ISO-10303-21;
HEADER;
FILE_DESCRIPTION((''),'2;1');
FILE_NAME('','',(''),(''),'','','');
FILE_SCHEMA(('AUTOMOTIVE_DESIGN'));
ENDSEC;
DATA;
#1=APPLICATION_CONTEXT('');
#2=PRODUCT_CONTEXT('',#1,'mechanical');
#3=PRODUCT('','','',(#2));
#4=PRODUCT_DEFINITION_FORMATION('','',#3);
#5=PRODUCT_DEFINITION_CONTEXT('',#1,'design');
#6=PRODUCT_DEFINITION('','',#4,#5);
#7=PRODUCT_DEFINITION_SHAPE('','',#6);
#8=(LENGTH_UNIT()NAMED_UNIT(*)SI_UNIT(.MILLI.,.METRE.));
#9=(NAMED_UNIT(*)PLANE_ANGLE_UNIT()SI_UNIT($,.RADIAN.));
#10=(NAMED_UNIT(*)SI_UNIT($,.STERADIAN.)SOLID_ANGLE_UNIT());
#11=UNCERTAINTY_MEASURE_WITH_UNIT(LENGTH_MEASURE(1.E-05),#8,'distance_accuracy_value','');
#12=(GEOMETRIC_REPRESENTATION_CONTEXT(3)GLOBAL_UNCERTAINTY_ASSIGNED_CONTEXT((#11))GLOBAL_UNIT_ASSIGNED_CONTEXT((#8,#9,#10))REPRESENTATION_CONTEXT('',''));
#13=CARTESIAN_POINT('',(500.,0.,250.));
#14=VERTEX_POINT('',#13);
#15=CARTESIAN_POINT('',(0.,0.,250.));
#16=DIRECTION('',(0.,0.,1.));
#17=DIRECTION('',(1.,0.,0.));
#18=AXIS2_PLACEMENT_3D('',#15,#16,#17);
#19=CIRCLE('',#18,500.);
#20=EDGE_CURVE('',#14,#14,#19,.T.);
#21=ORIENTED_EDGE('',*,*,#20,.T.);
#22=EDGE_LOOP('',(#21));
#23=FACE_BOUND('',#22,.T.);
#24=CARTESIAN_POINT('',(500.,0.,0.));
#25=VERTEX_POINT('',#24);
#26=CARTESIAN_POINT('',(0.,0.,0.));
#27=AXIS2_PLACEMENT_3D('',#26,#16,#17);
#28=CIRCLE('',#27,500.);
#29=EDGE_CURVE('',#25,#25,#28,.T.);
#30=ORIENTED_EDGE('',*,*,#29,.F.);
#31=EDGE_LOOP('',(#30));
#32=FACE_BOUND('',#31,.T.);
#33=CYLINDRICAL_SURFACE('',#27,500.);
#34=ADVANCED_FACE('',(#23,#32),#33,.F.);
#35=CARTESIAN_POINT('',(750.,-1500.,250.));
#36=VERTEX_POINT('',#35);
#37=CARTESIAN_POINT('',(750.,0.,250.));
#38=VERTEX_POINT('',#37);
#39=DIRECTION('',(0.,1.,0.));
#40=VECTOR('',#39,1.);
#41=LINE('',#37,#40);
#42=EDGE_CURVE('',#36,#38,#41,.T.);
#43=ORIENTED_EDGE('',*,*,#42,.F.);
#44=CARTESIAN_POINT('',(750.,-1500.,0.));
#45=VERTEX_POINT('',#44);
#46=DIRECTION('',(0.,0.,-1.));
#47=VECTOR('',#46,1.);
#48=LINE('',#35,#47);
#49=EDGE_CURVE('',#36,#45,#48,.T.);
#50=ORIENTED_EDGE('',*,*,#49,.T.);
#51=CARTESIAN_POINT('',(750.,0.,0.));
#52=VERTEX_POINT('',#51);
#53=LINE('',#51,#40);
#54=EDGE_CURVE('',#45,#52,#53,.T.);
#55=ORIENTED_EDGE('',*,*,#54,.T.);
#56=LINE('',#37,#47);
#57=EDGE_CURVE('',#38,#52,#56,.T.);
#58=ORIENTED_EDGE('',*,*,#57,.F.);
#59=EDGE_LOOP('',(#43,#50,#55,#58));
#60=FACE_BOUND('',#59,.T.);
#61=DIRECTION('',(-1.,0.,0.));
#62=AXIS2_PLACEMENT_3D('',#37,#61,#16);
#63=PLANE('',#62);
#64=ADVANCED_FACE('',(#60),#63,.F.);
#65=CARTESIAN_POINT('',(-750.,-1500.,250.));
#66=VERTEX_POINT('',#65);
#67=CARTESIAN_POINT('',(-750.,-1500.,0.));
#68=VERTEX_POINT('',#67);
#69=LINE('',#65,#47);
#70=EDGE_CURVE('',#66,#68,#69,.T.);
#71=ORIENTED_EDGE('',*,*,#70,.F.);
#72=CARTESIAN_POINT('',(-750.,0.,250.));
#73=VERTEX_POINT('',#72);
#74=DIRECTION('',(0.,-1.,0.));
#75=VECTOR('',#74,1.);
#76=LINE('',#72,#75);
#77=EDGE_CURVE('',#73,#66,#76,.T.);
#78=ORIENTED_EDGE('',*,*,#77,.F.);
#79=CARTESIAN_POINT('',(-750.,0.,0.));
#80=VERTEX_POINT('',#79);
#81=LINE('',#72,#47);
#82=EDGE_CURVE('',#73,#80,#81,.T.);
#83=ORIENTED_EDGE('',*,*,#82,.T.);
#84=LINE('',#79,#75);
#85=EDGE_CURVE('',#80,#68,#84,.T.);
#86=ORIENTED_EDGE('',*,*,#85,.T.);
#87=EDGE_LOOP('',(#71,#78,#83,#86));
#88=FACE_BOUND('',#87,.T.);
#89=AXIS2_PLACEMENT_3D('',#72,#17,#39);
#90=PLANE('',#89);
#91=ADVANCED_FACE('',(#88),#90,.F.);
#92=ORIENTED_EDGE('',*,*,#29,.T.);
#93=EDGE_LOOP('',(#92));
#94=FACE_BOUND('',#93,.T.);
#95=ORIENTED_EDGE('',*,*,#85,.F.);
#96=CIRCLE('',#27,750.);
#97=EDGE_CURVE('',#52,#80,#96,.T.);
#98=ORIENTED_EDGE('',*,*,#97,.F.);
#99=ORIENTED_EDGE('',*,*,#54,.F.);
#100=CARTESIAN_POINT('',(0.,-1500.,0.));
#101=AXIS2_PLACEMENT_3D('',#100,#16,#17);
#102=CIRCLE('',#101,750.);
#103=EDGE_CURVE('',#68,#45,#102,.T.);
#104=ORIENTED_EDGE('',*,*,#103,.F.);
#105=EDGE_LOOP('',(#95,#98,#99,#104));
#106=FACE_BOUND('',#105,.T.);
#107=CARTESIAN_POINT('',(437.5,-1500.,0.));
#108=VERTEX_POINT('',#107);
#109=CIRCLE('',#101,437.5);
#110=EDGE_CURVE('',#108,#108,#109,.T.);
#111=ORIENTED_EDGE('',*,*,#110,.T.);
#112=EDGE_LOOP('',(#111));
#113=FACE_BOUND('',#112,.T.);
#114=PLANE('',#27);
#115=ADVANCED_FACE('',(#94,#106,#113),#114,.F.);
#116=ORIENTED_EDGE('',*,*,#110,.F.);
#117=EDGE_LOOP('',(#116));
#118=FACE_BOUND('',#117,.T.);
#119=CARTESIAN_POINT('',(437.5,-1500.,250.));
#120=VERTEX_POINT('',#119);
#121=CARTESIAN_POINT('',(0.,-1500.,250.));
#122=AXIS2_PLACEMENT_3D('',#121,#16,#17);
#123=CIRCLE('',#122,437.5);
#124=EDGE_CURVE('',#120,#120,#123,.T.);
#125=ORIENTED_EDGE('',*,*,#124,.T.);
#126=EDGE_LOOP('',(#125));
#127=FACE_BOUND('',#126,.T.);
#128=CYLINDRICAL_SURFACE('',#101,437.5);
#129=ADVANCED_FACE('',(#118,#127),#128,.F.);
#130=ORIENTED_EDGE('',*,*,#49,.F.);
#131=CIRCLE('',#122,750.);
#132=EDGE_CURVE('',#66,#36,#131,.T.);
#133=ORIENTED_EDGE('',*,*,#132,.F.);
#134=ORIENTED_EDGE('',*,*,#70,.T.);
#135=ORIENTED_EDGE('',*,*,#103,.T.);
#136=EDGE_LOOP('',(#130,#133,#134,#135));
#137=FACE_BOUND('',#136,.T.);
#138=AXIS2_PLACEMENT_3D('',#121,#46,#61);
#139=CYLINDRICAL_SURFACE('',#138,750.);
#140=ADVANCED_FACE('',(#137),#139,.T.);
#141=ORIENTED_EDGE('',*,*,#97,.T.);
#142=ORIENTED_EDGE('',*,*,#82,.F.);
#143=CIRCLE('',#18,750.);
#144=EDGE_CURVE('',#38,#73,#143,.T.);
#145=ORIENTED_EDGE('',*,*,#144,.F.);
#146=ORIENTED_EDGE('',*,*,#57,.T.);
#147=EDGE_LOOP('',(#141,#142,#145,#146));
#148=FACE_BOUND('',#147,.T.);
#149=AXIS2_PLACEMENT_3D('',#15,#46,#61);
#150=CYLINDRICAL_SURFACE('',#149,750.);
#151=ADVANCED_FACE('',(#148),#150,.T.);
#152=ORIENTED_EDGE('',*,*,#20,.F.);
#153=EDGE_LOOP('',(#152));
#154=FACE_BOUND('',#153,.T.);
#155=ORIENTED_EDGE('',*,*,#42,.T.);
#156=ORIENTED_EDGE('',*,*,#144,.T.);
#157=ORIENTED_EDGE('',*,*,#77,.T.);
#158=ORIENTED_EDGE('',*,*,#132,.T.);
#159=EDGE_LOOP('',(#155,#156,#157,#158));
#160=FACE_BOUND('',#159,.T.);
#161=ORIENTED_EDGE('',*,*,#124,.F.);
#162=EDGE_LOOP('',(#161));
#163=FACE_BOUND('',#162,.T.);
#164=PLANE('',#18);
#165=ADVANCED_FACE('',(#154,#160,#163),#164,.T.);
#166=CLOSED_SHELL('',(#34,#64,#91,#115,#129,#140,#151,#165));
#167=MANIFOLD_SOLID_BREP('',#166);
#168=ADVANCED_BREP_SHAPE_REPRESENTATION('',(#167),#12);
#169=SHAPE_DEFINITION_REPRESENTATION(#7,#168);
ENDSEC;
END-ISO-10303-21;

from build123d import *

# Parameters (mm, degrees)
BOSS_EXTRUDE1_DEPTH = 250
SKETCH2_R           = 500
SKETCH2_R_2         = 437.5
CUT_EXTRUDE1_DEPTH  = 250


with BuildPart() as part:
    # Sketch1 → Boss-Extrude1 (new body)
    with BuildSketch(Plane.XY):
        with BuildLine():
            Line((-750, 0), (-750, -1500))
            ThreePointArc((-750, -1500), (0, -2250), (750, -1500))
            Line((750, -1500), (750, 0))
            ThreePointArc((750, 0), (0, 750), (-750, 0))
        make_face()
    extrude(amount=BOSS_EXTRUDE1_DEPTH)

    # Sketch2 → Cut-Extrude1 (cut)
    with BuildSketch(Plane.XY.offset(250)):
        Circle(SKETCH2_R)
        with Locations((0, -1500)):
            Circle(SKETCH2_R_2)
    extrude(amount=-CUT_EXTRUDE1_DEPTH, mode=Mode.SUBTRACT)


solid = part.part
